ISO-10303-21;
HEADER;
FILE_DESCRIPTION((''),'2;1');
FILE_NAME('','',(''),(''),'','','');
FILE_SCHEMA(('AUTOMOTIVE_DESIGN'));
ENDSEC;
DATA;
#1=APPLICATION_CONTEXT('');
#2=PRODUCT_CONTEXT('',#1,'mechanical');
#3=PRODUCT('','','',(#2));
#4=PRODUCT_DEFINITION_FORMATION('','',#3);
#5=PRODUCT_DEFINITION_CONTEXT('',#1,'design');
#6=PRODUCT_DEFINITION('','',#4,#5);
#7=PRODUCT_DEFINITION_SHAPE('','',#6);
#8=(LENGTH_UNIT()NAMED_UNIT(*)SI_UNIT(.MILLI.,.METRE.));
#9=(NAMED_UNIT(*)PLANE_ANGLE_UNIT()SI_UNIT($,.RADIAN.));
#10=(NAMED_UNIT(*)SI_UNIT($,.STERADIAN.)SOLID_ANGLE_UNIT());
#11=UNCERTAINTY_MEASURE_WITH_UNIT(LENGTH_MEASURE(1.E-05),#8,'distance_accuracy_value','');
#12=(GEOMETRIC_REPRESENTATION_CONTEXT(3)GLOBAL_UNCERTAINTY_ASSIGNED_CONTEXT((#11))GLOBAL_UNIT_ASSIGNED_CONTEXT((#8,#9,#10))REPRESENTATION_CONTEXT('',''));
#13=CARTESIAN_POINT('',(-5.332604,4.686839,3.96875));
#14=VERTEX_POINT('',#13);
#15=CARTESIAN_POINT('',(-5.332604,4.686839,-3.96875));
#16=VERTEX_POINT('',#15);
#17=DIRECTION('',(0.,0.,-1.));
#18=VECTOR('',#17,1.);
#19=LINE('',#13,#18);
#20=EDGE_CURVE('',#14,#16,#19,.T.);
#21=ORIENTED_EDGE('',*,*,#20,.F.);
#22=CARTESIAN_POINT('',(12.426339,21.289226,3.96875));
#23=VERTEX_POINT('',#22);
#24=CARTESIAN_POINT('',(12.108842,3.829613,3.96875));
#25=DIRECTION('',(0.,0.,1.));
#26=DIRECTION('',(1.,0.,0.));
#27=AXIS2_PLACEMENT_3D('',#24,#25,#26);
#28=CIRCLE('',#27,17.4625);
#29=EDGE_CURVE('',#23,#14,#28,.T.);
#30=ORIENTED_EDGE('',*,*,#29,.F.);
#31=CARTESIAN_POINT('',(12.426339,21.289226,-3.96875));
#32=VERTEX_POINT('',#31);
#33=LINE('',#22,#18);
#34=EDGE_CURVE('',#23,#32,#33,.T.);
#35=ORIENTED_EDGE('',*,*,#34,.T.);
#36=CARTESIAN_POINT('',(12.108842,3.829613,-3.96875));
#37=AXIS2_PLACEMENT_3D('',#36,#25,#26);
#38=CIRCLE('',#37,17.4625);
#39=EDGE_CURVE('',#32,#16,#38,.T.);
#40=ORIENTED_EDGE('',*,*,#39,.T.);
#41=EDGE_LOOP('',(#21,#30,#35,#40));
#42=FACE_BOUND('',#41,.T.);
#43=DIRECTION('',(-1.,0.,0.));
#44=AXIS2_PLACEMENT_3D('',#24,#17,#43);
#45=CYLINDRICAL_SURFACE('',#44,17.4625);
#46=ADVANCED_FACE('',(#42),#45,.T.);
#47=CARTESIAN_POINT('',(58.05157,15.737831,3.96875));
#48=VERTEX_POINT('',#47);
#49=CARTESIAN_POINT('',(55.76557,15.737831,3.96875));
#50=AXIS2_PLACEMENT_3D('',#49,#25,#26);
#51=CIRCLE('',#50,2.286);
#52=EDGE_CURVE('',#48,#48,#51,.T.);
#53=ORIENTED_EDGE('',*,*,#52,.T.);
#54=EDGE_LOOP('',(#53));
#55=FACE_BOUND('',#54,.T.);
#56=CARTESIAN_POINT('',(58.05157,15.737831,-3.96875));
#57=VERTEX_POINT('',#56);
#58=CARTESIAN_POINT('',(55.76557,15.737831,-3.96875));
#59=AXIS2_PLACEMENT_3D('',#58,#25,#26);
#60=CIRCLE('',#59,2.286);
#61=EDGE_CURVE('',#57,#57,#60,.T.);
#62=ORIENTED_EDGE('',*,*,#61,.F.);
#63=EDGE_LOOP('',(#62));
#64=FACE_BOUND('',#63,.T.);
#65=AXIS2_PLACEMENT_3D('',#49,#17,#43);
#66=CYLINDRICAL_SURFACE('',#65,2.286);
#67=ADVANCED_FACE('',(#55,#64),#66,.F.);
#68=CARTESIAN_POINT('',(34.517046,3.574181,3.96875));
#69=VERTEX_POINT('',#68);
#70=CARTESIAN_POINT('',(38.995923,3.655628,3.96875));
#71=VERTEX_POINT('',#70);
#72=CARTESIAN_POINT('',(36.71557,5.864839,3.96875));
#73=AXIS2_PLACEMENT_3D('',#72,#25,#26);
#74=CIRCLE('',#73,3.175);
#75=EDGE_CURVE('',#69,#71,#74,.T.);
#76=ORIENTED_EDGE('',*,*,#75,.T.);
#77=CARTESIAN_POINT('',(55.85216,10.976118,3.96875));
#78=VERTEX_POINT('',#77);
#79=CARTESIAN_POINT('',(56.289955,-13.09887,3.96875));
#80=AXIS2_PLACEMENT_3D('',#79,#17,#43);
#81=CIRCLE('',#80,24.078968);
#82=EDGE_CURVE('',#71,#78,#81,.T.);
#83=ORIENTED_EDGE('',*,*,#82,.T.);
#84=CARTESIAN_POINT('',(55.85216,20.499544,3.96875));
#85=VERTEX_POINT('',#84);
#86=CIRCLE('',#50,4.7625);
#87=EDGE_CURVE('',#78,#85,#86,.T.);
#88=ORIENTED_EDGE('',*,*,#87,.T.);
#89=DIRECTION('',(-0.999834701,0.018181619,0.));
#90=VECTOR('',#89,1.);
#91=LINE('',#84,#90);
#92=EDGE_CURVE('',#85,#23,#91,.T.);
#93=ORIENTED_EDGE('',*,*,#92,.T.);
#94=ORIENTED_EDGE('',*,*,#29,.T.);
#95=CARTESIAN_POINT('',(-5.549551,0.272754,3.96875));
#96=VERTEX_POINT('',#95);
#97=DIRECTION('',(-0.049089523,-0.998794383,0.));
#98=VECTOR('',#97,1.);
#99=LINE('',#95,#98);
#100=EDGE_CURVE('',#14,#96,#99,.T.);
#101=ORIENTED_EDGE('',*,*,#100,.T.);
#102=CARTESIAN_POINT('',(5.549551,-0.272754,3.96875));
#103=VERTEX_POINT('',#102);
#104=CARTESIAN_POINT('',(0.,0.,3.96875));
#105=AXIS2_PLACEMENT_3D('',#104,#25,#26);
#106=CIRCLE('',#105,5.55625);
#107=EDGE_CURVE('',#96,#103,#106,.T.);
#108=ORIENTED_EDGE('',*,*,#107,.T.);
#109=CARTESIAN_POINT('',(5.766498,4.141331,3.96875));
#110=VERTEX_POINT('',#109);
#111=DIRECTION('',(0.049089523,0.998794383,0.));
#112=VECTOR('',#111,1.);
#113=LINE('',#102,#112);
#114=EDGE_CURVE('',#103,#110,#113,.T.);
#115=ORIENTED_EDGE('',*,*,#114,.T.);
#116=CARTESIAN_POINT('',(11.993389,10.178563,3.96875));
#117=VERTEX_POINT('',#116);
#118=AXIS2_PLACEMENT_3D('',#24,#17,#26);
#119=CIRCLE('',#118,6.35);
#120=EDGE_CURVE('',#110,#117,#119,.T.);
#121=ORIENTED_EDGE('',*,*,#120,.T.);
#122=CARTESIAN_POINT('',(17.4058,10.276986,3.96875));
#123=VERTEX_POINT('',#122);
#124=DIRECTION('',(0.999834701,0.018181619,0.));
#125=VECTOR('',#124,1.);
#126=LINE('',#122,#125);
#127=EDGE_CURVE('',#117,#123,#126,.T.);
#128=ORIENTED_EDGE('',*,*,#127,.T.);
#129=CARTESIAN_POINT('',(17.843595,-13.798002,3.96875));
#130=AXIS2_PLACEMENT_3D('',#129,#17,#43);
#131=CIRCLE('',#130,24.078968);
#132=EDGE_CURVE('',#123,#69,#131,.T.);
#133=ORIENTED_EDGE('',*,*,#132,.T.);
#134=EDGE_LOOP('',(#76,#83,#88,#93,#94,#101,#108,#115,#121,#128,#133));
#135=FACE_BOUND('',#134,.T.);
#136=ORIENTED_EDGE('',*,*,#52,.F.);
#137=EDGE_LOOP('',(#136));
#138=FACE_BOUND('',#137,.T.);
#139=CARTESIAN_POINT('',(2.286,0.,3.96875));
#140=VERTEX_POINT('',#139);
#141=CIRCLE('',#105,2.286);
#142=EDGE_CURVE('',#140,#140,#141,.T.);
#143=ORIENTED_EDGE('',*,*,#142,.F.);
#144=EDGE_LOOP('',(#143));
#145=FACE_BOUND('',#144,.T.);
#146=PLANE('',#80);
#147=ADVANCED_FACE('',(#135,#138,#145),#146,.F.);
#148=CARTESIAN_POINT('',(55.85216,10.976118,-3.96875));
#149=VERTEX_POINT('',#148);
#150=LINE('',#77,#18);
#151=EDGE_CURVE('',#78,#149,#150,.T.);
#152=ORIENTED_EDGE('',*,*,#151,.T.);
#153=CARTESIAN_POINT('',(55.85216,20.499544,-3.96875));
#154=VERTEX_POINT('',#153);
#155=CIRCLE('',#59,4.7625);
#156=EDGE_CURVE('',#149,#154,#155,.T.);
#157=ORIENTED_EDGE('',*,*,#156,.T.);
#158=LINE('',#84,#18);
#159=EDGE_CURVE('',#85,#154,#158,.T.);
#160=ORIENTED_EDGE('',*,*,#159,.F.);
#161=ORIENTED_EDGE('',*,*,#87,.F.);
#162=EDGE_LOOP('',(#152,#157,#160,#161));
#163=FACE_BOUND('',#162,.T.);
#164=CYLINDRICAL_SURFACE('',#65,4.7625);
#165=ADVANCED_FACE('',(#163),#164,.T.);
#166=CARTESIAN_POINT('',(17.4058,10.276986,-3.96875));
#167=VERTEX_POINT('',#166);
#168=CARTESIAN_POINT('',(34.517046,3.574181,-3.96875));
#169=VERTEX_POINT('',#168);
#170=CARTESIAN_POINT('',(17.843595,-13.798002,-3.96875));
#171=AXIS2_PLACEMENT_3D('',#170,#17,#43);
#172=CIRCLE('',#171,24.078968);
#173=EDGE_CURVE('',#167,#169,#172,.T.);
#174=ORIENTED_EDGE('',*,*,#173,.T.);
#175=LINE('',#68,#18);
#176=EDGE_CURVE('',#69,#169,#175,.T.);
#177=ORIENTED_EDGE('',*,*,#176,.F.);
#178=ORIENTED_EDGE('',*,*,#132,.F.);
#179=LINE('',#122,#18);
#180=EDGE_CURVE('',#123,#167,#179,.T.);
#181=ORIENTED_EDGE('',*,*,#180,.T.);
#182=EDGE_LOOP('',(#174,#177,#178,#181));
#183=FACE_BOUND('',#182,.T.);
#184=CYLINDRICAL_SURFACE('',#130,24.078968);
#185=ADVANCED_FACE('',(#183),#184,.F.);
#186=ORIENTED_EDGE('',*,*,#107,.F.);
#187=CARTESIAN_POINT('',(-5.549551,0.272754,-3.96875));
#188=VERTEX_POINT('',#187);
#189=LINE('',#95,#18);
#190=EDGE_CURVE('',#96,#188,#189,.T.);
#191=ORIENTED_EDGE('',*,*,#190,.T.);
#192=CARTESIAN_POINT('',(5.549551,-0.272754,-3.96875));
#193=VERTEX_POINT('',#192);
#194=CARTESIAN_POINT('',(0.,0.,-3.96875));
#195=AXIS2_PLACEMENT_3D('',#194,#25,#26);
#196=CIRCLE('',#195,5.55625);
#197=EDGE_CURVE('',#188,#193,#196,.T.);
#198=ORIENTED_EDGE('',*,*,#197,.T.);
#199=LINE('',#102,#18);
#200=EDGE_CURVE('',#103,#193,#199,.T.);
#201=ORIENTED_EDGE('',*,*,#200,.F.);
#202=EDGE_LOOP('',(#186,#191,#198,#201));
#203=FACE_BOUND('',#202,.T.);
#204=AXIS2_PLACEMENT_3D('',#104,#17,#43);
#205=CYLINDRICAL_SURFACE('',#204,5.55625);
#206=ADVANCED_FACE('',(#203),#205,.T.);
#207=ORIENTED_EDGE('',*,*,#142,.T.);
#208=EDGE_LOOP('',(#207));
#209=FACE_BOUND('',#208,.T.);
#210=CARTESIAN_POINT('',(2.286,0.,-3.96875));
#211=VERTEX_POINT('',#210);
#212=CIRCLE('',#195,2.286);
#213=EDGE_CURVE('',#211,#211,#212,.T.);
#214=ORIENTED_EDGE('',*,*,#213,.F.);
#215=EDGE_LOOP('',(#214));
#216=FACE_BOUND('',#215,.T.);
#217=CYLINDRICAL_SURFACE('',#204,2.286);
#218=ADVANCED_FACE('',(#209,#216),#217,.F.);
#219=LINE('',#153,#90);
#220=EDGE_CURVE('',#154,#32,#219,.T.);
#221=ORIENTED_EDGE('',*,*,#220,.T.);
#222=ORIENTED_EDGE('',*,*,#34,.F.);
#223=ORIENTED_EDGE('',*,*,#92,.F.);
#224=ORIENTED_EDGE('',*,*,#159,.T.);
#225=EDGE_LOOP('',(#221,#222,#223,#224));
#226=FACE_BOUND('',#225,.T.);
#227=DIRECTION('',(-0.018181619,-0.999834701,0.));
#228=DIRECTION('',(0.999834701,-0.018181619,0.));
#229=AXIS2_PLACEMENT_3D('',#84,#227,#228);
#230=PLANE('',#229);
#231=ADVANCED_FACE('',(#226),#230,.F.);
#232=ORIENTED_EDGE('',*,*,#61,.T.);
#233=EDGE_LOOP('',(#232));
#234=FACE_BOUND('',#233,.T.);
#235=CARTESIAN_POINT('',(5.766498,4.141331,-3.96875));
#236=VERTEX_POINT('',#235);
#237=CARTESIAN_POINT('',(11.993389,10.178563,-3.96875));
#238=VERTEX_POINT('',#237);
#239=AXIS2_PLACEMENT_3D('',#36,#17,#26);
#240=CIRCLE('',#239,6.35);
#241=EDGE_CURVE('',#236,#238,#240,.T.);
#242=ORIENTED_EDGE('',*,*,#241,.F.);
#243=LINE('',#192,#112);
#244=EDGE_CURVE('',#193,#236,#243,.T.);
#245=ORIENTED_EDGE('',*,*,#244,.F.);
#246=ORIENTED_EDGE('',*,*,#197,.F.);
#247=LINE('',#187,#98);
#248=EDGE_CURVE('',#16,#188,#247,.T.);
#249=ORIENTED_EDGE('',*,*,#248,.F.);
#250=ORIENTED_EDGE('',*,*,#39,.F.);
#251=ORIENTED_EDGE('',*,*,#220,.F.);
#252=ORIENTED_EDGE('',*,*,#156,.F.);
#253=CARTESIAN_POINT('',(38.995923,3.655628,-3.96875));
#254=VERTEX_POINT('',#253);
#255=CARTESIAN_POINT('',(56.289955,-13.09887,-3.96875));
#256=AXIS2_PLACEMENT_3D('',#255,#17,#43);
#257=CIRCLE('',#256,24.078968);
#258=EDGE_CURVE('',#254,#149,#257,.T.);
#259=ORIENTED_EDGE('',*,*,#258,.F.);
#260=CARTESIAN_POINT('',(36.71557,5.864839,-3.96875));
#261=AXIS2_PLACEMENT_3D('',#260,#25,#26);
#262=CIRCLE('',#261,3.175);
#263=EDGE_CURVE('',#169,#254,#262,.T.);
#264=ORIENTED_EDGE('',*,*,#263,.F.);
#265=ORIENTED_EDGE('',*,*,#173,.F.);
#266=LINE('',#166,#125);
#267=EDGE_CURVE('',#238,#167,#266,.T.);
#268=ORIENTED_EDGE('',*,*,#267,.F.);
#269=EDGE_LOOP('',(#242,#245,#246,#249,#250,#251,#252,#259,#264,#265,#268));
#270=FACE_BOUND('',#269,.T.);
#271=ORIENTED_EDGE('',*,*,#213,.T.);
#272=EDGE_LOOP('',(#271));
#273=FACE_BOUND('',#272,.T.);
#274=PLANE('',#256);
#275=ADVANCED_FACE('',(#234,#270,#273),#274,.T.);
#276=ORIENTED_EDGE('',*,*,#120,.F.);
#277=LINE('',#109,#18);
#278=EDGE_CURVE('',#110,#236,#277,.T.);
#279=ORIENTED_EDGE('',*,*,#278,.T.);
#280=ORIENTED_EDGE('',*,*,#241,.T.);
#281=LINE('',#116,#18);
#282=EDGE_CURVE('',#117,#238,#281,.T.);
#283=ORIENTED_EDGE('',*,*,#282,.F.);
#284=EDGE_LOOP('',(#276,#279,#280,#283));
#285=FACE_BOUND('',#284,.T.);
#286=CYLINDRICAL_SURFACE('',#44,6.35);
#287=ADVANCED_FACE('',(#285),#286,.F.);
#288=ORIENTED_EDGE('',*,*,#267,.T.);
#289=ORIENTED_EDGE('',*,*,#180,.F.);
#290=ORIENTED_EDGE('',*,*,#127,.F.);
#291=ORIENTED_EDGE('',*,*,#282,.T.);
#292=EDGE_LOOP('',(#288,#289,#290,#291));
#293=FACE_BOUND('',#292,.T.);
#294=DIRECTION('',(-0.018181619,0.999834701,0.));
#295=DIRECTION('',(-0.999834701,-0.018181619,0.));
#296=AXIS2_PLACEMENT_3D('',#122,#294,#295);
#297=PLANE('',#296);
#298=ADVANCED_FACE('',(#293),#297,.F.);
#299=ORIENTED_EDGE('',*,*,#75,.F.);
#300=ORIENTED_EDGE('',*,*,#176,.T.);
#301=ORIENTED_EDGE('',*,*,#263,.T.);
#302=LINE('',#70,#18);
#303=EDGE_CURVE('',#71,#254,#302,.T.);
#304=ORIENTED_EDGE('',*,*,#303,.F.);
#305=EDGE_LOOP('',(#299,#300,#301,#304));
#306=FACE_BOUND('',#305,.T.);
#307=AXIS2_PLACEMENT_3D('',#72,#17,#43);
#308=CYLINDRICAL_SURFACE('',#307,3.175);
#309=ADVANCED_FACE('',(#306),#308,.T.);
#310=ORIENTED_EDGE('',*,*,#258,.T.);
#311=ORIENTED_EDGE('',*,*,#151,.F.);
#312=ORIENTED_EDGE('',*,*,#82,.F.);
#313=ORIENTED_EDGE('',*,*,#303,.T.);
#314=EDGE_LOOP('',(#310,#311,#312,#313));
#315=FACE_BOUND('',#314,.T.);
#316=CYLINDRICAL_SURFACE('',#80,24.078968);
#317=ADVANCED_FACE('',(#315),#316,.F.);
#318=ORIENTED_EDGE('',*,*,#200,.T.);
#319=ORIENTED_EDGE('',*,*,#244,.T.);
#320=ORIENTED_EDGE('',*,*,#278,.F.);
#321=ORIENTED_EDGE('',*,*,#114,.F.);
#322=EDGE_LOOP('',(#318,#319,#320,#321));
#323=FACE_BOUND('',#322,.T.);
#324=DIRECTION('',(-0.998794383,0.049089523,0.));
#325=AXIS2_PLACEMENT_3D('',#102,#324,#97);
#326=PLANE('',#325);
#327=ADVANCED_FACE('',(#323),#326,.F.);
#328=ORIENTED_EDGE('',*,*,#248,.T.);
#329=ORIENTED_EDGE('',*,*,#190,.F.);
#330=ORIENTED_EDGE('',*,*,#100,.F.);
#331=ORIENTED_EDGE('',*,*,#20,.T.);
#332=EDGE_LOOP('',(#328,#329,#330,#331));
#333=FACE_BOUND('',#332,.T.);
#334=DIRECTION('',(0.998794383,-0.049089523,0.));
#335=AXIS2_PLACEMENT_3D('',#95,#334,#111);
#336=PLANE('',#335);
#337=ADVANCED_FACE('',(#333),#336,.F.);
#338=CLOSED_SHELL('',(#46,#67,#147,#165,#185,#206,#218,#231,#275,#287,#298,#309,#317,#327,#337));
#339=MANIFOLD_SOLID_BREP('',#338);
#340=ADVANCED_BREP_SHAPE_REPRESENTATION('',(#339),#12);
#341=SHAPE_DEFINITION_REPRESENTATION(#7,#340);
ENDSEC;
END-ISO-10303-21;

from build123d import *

# Parameters (mm, degrees)
SKETCH1_R           = 2.286
BOSS_EXTRUDE1_DEPTH = 3.96875


with BuildPart() as part:
    # Sketch1 → Boss-Extrude1 (new, symmetric)
    with BuildSketch(Plane.XY):
        with BuildLine():
            Line((55.852160303, 20.499543888), (12.426339018, 21.289226167))
            ThreePointArc((12.426339018, 21.289226167), (0.183355577, 16.585853064), (-5.332604413, 4.686838505))
            Line((-5.332604413, 4.686838505), (-5.549551288, 0.272753664))
            ThreePointArc((-5.549551288, 0.272753664), (-0.272753664, -5.549551288), (5.549551288, -0.272753664))
            Line((5.549551288, -0.272753664), (5.766498164, 4.141331178))
            ThreePointArc((5.766498164, 4.141331178), (7.688680768, 8.388633469), (11.993389211, 10.178563055))
            Line((11.993389211, 10.178563055), (17.405800458, 10.276985724))
            ThreePointArc((17.405800458, 10.276985724), (26.626022332, 8.622204767), (34.517045693, 3.574181217))
            ThreePointArc((34.517045693, 3.574181217), (36.773296982, 2.690364107), (38.995923428, 3.65562793))
            ThreePointArc((38.995923428, 3.65562793), (46.698197557, 8.987209748), (55.852160303, 10.976118364))
            ThreePointArc((55.852160303, 10.976118364), (60.528070342, 15.737831126), (55.852160303, 20.499543888))
        make_face()
        Circle(SKETCH1_R, mode=Mode.SUBTRACT)
        with Locations((55.765570342, 15.737831126)):
            Circle(SKETCH1_R, mode=Mode.SUBTRACT)
    extrude(amount=BOSS_EXTRUDE1_DEPTH, both=True)


solid = part.part
